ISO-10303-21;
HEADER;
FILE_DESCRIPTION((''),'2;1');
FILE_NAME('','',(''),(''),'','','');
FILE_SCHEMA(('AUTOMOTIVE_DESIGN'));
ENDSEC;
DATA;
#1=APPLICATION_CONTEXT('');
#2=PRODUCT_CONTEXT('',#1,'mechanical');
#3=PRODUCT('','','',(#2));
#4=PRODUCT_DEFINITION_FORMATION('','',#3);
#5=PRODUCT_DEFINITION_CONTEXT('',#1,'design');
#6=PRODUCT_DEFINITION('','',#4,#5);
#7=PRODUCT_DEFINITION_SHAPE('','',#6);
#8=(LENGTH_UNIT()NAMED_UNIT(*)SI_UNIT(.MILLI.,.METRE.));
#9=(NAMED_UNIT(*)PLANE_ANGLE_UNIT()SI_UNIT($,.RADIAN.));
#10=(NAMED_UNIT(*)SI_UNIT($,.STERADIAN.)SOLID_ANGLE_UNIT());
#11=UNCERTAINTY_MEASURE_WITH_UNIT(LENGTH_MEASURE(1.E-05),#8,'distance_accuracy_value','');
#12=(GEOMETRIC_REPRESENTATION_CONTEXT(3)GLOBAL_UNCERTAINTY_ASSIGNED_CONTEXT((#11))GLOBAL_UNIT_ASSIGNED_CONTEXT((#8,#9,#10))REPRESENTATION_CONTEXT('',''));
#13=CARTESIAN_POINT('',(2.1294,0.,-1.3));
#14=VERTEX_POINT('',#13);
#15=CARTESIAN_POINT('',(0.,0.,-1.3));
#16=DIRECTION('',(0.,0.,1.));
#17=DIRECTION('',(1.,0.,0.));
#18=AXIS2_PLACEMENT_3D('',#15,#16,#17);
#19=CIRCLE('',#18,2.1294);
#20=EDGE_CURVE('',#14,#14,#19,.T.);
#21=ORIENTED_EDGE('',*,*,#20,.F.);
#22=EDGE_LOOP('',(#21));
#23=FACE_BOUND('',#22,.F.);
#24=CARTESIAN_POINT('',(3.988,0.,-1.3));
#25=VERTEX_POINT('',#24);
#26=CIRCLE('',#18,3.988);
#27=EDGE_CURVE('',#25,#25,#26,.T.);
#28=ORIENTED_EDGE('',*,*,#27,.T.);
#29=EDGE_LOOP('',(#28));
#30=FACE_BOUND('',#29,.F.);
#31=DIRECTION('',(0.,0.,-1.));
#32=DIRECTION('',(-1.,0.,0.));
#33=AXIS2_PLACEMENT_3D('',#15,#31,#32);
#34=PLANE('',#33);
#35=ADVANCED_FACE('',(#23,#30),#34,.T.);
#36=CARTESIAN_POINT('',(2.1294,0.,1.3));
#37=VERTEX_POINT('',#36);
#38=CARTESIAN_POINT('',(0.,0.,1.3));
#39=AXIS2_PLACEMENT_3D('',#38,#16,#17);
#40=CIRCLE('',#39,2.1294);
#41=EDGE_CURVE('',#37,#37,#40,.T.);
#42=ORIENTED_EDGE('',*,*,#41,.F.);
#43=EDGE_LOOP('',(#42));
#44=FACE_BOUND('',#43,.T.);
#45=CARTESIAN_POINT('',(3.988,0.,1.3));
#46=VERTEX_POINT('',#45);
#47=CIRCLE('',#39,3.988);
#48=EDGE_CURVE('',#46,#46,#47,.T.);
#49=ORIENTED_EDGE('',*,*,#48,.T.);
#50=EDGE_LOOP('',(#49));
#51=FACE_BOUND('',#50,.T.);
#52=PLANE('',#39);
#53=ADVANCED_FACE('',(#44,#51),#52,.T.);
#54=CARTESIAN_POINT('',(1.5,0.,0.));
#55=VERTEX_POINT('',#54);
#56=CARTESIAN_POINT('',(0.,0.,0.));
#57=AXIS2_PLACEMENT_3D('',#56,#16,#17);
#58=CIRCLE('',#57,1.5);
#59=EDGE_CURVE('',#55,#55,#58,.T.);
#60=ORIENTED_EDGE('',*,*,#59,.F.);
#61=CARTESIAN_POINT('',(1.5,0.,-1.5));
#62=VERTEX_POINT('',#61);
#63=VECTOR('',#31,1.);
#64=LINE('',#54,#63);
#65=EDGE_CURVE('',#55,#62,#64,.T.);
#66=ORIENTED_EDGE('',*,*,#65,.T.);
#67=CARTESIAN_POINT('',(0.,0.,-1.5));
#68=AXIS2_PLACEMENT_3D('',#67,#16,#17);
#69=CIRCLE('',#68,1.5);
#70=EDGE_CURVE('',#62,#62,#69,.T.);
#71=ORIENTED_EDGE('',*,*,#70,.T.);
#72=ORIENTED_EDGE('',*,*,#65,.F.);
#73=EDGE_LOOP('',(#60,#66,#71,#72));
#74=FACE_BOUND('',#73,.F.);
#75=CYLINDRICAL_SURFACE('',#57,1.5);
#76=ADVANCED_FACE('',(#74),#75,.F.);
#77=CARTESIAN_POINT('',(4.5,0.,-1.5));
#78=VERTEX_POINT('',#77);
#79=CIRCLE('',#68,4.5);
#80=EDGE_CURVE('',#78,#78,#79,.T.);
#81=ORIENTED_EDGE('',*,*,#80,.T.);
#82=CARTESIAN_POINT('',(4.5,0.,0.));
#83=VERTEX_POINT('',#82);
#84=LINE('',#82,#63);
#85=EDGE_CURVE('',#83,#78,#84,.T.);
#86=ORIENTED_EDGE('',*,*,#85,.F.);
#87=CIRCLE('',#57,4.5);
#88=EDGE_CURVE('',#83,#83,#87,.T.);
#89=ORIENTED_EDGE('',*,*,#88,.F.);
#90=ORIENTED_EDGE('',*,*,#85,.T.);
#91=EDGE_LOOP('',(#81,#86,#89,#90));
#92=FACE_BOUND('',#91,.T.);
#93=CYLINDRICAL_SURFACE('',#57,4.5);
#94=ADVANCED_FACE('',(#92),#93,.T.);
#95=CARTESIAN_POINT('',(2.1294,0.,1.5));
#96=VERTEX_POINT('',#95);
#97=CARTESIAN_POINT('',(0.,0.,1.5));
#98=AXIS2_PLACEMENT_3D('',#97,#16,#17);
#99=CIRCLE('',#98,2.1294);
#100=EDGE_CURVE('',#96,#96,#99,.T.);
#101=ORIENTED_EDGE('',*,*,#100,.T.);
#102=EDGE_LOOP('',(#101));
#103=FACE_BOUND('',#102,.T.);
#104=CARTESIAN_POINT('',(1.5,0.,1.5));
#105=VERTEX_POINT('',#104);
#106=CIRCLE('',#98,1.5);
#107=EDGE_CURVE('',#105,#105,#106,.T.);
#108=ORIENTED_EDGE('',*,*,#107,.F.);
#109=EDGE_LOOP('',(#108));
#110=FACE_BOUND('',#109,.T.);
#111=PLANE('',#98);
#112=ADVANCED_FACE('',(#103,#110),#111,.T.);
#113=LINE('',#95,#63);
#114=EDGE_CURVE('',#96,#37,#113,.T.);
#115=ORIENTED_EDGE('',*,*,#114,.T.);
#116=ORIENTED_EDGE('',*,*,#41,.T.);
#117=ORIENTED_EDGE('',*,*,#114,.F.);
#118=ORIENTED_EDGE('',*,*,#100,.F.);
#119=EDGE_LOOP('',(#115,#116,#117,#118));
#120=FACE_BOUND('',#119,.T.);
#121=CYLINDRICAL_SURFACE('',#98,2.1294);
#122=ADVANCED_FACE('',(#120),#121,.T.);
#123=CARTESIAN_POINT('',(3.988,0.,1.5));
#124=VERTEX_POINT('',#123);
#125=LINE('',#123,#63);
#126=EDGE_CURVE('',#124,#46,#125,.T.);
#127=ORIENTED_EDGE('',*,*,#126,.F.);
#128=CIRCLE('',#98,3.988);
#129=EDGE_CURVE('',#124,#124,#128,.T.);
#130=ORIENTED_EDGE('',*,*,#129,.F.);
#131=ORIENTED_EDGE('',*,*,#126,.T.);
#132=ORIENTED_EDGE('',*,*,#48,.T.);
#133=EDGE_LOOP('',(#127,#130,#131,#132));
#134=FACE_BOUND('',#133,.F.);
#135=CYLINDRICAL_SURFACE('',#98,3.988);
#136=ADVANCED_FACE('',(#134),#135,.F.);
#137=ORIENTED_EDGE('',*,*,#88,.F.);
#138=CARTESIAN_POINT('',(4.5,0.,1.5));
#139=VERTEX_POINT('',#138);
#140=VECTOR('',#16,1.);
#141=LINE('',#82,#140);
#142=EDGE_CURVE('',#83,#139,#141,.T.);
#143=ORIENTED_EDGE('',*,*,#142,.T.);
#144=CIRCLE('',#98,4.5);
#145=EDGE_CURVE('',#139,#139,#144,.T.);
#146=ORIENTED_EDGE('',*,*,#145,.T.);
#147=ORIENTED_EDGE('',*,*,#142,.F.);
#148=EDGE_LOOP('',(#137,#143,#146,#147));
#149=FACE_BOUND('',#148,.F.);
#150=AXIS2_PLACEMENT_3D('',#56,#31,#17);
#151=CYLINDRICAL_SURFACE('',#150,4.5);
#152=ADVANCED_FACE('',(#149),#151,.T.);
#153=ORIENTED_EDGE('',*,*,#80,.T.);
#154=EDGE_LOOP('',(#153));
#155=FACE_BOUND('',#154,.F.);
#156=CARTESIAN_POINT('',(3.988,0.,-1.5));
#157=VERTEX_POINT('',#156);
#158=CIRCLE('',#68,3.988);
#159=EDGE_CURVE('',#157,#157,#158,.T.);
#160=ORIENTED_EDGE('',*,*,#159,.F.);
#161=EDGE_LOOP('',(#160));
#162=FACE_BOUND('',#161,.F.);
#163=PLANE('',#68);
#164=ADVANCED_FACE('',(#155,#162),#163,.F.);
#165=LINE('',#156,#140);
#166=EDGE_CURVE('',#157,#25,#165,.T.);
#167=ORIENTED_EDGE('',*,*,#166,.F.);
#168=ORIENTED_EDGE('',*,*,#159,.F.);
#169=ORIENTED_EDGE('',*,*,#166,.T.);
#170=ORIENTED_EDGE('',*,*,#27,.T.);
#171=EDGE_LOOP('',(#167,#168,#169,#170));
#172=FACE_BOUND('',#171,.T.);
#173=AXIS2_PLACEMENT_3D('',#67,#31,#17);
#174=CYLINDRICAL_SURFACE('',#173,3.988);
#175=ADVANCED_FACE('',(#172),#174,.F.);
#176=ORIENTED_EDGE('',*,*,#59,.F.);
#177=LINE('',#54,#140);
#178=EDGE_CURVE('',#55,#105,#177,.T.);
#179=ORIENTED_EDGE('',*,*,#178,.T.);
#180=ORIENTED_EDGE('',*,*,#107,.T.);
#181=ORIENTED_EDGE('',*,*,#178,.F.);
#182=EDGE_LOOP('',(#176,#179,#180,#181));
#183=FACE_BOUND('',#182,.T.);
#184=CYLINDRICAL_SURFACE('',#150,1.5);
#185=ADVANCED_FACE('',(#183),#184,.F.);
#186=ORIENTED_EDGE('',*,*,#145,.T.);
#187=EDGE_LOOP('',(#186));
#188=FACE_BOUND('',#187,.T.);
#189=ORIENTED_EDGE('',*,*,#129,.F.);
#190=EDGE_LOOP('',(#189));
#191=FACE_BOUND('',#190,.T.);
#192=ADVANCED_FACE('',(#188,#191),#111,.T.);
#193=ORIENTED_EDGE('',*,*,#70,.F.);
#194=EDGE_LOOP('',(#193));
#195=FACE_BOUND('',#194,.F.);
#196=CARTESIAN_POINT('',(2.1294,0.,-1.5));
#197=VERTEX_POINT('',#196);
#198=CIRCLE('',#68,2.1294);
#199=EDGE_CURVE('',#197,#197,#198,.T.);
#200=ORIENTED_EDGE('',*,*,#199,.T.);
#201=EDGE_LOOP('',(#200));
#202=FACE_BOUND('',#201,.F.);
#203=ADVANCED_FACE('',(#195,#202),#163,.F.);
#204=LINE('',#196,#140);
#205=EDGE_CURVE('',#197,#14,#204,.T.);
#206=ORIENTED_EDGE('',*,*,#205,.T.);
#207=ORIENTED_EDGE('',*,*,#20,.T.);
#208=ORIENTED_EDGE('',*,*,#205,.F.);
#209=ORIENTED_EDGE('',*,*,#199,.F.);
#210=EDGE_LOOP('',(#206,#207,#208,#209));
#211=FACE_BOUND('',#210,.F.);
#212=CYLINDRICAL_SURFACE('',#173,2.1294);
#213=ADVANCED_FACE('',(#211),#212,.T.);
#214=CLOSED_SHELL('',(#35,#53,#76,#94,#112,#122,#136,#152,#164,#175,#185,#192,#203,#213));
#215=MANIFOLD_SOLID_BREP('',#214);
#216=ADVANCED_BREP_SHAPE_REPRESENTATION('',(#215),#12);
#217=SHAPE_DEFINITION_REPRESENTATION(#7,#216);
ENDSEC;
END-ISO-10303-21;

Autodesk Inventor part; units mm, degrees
ref_plane "YZ Plane" through (0, 0, 0) normal (1, 0, 0) x (0, 1, 0)
ref_plane "XZ Plane" through (0, 0, 0) normal (0, 1, 0) x (-1, 0, 0)
ref_plane "XY Plane" through (0, 0, 0) normal (0, 0, 1) x (1, 0, 0)
sketch "Sketch1" plane through (0, 0, 0) normal (0, 0, 1) x (1, 0, 0)
  circle A0 centre (0, 0) radius 4.5
  circle A1 centre (0, 0) radius 1.5
  dimension "d0" = 9
  dimension "d1" = 3
extrude "Extrusion1" add sketch "Sketch1" along normal mid plane 3
sketch "Sketch2" plane through (0, 0, 1.5) normal (0, 0, 1) x (1, 0, 0)
  circle A0 centre (0, 0) radius 2.1294
  circle A1 centre (0, 0) radius 3.988
extrude "Extrusion2" cut sketch "Sketch2" against normal blind 0.2
mirror "Mirror1" about plane through (0, 0, 0) normal (0, 0, 1) of "Extrusion2"
properties part number "603 Bearing"
